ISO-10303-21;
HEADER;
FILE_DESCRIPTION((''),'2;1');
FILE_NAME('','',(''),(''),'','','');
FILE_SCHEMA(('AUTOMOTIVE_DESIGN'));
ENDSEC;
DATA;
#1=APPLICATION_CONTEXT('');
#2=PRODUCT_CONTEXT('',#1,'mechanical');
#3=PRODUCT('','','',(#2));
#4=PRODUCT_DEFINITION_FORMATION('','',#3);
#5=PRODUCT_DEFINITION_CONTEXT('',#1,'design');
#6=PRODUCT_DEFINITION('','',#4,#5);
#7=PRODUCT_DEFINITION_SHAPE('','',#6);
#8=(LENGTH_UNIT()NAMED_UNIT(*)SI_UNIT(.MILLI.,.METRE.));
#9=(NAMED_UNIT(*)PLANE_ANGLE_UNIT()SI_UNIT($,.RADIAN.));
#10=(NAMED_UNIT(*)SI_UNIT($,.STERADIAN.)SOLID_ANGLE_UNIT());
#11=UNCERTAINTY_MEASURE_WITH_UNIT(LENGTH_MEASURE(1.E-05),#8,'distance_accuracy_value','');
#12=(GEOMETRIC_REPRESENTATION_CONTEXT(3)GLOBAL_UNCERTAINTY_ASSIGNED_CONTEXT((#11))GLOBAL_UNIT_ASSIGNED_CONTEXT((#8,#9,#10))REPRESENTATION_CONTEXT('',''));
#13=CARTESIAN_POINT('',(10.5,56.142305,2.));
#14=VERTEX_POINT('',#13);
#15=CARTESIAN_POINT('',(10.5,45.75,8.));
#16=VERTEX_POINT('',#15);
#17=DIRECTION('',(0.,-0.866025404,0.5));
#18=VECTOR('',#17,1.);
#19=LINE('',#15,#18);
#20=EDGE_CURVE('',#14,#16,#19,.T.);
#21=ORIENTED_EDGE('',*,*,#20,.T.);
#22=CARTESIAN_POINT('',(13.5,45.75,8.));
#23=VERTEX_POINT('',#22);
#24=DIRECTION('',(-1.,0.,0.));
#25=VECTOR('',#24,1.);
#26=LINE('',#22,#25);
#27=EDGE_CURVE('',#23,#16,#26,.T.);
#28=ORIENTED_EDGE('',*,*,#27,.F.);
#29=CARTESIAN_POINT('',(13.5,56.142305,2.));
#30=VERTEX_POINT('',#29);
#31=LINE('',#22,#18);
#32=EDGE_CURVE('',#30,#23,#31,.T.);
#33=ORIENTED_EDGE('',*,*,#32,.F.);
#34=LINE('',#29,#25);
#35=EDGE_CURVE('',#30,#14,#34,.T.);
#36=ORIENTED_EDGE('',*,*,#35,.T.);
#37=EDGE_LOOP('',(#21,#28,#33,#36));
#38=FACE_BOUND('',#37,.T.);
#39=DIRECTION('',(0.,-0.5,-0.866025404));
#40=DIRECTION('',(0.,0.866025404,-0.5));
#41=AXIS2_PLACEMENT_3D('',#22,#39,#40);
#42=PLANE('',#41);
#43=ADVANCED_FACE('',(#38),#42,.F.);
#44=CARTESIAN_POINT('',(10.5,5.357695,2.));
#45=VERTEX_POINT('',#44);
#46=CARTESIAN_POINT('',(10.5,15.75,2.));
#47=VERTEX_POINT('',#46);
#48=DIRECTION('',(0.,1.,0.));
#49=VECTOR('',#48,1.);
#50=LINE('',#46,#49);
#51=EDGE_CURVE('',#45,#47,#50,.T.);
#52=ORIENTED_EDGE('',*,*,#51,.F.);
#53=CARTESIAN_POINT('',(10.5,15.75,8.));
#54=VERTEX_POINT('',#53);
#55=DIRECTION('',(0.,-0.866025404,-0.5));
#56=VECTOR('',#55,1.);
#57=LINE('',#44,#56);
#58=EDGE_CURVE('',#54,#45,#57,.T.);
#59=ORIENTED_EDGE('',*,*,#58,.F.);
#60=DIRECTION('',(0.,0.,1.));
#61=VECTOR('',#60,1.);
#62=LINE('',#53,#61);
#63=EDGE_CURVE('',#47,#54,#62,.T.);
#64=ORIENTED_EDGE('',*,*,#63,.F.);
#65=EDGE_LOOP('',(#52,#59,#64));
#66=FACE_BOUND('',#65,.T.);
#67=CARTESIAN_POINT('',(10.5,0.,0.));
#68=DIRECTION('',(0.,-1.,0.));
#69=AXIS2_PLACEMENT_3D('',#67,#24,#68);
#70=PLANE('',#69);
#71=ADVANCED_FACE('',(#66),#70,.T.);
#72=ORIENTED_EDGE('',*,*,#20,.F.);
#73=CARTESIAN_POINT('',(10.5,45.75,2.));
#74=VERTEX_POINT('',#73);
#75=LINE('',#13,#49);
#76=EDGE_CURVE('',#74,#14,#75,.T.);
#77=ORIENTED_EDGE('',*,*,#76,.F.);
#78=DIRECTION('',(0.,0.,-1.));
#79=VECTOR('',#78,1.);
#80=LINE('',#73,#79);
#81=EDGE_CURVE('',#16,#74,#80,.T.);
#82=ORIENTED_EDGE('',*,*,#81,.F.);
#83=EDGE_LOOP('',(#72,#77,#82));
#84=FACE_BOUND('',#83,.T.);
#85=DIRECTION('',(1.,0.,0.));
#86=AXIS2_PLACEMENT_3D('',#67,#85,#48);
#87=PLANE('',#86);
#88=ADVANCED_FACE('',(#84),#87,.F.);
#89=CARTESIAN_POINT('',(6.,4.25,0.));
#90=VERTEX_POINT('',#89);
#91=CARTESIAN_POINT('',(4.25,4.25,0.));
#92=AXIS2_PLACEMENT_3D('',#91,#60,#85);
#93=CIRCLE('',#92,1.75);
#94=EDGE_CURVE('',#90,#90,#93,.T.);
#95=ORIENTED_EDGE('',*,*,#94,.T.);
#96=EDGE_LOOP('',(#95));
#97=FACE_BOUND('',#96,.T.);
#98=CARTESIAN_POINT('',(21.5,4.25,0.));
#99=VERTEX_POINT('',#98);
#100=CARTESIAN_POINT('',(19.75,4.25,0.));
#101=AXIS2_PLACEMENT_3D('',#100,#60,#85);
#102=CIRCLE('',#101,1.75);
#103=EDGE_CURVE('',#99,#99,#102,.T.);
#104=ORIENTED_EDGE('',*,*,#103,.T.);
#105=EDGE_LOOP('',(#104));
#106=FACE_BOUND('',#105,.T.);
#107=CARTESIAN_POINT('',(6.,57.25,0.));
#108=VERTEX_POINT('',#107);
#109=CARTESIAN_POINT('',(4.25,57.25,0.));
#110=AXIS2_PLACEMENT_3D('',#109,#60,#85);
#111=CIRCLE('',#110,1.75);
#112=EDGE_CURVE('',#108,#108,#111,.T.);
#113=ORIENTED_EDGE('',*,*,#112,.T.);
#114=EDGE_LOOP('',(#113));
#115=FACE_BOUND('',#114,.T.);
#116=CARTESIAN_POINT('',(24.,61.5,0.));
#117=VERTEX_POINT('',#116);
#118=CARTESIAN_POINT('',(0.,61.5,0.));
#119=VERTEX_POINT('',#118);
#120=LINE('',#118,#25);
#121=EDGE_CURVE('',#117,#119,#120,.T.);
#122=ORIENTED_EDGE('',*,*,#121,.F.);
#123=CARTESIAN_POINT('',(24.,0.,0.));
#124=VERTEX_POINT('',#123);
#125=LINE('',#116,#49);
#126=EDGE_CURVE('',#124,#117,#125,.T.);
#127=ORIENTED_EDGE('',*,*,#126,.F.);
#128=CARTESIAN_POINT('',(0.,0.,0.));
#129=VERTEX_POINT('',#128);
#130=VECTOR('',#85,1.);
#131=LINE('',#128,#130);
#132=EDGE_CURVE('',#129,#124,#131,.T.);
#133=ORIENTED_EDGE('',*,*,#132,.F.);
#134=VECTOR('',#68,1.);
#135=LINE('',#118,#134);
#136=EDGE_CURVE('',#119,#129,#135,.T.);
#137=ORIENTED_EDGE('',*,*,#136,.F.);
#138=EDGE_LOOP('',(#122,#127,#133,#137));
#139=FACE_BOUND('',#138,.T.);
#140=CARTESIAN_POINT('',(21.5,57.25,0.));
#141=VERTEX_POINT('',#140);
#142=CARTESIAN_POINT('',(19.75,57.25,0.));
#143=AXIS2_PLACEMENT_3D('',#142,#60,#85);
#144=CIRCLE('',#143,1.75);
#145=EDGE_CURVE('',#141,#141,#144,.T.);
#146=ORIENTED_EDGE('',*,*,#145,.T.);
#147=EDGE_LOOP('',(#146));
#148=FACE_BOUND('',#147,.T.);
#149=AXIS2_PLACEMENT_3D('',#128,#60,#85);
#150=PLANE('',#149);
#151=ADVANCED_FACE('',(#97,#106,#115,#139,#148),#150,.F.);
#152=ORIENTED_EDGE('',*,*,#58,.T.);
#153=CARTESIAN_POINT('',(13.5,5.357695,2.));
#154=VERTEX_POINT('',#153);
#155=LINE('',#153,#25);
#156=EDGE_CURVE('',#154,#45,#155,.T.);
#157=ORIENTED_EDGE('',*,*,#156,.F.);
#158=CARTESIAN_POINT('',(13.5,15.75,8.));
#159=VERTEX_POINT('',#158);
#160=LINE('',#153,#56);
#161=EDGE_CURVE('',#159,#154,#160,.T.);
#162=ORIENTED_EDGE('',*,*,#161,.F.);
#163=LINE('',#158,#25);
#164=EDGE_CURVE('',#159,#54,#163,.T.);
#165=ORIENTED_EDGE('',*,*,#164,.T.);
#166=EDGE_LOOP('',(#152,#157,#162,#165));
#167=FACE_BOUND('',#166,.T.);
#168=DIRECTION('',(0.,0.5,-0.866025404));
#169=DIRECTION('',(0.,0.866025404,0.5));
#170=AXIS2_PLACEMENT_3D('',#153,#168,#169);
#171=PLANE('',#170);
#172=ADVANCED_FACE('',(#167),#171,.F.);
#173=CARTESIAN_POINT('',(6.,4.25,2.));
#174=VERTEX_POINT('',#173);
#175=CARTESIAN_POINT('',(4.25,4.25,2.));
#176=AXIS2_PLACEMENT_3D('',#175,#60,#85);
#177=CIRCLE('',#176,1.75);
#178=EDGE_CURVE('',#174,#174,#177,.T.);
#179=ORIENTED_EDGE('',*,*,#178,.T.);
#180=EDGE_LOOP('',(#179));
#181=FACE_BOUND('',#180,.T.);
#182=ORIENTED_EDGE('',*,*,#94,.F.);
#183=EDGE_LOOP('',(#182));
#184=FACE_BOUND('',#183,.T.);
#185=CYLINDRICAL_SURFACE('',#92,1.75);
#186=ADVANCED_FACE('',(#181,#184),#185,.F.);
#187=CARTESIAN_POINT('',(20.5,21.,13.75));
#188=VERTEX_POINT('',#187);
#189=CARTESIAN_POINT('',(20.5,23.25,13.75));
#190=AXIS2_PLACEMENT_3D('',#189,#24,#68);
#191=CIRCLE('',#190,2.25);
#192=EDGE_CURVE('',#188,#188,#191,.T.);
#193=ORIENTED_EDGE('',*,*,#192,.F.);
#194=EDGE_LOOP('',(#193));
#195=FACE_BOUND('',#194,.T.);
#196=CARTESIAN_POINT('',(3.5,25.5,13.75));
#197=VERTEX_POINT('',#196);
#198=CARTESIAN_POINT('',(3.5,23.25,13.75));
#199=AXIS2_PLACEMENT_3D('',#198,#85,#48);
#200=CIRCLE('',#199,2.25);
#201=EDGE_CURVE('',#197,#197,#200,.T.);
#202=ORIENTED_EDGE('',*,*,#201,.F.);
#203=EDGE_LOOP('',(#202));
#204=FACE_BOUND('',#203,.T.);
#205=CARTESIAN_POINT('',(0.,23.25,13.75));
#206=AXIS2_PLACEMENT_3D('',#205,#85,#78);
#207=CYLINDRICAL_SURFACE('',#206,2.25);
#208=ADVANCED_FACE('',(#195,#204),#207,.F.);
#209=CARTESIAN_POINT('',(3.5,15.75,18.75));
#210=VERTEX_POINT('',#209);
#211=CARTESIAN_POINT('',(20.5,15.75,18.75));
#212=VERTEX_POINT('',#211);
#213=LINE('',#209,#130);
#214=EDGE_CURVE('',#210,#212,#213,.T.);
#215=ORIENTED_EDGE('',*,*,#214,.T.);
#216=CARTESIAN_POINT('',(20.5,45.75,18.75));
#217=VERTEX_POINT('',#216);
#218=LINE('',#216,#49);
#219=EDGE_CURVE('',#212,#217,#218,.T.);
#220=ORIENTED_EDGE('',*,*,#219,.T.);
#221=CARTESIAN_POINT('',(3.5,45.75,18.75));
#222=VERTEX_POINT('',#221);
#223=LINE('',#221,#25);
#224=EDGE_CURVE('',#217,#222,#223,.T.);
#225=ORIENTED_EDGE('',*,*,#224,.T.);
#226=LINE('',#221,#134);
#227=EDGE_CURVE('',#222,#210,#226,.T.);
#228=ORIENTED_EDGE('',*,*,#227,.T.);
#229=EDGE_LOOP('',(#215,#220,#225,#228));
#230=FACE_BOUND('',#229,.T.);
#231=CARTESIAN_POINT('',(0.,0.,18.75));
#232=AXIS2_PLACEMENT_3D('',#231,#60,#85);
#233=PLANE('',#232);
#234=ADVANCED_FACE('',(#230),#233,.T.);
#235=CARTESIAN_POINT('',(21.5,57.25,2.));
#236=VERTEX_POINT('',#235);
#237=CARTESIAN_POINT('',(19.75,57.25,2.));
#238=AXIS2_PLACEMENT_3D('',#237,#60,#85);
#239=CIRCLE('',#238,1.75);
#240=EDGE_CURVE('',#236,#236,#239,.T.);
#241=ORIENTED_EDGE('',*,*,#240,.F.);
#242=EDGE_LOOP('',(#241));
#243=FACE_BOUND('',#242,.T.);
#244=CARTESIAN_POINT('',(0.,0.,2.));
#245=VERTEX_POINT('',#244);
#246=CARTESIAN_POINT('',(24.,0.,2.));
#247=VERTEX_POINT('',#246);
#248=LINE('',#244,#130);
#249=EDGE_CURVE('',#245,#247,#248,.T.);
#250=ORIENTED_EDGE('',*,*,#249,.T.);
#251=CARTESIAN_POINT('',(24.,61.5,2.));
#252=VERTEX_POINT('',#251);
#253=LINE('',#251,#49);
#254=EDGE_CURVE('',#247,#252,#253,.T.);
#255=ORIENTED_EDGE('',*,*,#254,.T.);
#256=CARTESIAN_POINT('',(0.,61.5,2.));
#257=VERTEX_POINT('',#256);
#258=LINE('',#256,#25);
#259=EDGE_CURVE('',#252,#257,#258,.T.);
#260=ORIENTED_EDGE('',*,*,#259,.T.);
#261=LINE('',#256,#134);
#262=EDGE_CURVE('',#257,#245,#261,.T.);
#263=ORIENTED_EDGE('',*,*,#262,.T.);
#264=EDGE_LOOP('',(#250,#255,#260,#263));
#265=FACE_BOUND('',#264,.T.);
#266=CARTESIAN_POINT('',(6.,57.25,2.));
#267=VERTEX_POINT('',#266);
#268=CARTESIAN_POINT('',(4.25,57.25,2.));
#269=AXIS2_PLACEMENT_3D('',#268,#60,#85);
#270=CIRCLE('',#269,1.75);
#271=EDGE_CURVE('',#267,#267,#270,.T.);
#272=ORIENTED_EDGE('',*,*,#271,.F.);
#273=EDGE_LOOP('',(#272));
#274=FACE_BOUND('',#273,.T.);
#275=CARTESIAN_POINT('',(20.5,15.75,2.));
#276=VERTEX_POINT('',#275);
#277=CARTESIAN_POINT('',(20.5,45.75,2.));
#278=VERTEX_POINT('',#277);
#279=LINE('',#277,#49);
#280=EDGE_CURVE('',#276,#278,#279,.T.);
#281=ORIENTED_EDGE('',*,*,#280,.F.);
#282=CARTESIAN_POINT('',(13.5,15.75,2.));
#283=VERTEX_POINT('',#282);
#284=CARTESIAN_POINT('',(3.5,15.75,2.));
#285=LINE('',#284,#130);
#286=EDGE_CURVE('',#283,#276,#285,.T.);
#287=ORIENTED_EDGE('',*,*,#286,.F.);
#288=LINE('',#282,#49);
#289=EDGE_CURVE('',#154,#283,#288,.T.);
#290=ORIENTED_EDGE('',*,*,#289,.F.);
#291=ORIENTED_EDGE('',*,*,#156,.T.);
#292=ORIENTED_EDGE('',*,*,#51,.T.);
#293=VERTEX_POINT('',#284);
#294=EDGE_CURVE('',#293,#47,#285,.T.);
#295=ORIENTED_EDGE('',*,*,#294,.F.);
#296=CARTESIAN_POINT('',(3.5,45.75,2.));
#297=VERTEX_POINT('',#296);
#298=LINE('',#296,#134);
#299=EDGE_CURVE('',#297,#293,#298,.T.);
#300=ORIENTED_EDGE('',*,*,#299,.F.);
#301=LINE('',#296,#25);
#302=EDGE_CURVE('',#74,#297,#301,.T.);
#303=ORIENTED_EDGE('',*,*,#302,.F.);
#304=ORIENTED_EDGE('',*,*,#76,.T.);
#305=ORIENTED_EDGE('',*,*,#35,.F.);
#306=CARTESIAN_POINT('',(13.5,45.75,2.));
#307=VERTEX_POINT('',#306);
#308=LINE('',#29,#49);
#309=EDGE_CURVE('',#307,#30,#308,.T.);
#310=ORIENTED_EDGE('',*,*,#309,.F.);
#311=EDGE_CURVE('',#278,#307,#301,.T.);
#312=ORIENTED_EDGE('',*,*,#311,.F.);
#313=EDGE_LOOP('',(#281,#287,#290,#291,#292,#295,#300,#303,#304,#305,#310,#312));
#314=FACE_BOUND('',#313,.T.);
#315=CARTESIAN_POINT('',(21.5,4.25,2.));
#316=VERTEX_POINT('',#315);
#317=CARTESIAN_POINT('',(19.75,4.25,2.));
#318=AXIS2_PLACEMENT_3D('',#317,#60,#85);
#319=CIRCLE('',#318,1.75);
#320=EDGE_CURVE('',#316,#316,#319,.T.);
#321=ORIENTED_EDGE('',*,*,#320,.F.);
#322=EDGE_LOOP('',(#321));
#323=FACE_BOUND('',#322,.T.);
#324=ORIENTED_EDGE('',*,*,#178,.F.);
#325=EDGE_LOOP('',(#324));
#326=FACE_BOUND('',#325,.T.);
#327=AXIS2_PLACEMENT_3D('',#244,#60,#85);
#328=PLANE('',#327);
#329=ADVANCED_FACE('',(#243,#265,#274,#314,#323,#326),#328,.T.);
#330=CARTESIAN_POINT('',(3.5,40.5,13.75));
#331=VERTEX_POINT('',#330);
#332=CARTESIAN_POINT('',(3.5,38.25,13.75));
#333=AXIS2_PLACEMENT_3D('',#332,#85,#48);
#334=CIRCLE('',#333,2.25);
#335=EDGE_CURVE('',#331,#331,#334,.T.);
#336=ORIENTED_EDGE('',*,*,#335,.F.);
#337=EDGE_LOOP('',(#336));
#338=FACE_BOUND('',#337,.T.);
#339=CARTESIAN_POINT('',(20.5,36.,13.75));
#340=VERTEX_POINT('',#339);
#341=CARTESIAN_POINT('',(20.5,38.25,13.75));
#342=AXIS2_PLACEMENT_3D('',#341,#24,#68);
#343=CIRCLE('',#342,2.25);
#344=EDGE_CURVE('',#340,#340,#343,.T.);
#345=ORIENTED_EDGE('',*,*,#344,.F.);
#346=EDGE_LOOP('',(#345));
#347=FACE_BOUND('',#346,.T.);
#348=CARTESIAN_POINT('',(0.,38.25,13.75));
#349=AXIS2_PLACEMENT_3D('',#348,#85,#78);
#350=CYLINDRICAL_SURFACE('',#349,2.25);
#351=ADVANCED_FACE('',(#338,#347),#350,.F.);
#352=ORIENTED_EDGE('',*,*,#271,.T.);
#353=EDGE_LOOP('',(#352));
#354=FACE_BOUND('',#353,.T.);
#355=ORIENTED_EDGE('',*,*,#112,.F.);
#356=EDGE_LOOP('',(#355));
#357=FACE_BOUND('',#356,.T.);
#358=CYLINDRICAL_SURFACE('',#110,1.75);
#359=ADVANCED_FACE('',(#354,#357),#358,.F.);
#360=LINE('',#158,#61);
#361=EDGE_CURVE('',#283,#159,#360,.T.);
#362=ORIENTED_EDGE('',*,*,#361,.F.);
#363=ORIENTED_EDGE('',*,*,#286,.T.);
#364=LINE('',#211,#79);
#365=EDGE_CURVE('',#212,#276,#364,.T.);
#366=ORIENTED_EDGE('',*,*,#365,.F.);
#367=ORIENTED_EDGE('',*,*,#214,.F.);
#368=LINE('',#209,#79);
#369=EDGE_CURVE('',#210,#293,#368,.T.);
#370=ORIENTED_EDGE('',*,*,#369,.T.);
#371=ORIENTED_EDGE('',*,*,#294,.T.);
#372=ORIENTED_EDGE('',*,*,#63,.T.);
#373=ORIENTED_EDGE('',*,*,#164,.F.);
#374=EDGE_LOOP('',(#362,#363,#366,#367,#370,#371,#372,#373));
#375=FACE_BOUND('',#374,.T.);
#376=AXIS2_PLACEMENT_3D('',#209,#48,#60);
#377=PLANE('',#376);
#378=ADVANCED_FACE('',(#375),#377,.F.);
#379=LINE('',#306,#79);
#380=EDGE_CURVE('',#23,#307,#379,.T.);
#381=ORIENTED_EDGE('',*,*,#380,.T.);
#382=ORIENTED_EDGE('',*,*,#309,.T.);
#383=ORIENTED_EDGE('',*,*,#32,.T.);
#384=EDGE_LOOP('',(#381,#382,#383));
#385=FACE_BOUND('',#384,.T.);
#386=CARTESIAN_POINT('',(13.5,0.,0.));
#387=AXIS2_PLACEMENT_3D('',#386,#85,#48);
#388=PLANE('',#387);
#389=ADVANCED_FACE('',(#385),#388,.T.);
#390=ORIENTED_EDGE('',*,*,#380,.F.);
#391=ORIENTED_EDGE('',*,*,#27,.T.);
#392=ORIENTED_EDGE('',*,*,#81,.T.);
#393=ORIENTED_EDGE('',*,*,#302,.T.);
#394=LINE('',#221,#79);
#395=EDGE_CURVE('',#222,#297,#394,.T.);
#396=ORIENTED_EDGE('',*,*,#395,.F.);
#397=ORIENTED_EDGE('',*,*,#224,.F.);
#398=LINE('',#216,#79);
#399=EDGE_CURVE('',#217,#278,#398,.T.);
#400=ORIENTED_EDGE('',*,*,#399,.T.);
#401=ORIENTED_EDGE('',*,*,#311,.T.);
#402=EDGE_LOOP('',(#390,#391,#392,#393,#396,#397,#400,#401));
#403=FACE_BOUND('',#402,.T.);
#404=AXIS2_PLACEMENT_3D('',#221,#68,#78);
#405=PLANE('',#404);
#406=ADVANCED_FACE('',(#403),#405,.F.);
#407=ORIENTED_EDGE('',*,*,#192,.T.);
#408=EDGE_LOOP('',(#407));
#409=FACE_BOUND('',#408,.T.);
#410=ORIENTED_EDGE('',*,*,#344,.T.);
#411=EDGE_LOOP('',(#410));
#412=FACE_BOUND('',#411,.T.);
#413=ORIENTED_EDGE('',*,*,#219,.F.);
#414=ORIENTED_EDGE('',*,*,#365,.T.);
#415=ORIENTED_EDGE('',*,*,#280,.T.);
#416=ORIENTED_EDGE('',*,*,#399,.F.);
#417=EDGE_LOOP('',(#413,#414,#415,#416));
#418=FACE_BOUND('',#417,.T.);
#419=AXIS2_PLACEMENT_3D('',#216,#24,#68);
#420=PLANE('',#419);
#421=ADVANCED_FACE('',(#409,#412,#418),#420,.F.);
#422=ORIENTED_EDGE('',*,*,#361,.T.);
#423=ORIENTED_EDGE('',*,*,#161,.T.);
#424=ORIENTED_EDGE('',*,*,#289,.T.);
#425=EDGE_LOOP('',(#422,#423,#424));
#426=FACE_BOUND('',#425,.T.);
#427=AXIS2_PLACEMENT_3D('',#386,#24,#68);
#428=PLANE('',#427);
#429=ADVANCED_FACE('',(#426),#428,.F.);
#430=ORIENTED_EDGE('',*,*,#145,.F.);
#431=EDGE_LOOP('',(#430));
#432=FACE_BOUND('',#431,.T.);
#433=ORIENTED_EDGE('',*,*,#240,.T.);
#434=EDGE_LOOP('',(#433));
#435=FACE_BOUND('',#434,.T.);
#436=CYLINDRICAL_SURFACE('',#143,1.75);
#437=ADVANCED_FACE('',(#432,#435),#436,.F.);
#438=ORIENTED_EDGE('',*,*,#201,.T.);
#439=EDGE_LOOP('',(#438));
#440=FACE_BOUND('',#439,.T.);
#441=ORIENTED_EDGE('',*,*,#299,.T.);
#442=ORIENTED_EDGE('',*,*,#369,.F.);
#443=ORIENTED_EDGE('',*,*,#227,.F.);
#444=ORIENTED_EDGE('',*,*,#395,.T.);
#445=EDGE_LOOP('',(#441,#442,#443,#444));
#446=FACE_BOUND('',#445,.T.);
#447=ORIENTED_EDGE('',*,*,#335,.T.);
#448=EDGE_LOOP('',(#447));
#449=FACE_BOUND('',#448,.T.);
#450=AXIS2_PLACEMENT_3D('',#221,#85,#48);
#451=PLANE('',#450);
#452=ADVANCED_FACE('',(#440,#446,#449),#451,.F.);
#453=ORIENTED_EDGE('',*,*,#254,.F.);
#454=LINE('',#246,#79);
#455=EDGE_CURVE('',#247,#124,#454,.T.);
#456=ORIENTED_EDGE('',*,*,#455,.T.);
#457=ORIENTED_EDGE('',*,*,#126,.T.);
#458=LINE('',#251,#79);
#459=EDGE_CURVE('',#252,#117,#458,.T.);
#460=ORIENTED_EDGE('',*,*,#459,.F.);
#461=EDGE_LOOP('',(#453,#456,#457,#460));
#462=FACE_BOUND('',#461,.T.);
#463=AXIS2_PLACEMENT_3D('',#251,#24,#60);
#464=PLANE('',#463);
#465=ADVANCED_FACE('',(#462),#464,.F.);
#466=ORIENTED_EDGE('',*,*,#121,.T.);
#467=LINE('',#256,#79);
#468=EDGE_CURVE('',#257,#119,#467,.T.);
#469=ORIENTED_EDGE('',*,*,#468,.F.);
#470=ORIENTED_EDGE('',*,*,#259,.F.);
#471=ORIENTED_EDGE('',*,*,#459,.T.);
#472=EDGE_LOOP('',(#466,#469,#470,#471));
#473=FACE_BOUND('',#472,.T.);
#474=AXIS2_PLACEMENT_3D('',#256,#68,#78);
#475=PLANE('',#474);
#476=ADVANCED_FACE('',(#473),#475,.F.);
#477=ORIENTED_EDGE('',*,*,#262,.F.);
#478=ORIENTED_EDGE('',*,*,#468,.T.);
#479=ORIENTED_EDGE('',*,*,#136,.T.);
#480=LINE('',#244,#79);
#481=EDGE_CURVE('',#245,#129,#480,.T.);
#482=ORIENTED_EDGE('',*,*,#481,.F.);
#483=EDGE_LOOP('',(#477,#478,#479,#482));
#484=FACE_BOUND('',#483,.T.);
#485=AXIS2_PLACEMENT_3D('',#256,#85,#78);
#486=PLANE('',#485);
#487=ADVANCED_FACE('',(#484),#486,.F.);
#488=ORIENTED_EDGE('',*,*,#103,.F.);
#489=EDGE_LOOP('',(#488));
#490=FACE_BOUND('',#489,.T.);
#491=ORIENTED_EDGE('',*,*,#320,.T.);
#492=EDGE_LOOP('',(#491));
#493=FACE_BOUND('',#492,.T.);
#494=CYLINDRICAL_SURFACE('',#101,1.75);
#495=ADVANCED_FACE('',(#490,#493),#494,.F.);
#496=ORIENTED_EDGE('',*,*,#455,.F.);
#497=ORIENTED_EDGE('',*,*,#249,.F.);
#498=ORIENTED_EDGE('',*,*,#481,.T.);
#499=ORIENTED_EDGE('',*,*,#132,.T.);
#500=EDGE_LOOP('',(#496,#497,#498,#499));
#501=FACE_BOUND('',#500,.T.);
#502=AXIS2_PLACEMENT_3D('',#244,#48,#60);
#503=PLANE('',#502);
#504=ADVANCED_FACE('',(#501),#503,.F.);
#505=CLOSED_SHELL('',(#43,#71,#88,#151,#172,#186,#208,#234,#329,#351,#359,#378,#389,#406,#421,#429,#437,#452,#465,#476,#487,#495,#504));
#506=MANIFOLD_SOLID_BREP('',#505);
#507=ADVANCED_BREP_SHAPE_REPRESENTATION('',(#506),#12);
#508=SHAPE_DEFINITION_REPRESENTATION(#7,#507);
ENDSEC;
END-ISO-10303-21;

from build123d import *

# Parameters (mm, degrees)
SKETCH_2_W          = 24
SKETCH_2_H          = 61.5
SKETCH_2_R          = 1.75
EXTRUDE_1_DEPTH     = 2
SKETCH_3_W          = 17
SKETCH_3_H          = 30
EXTRUDE_2_DEPTH     = 16.75
SKETCH_4_R          = 2.25
CUT_EXTRUDE_1_DEPTH = 69.628073702
EXTRUDE_3_DEPTH     = 1.5
EXTRUDE_START       = -2
SKETCH_6_R          = 1.75
EXTRUDE_4_DEPTH     = 2
SKETCH_7_R          = 1.75
CUT_EXTRUDE_2_DEPTH = 69.108828356


with BuildPart() as part:
    # 草图2 → 凸台-拉伸1 (new body)
    with BuildSketch(Plane.XY):
        with Locations((12, 30.75)):
            Rectangle(SKETCH_2_W, SKETCH_2_H)
        with Locations((5, 56.5)):
            Circle(SKETCH_2_R, mode=Mode.SUBTRACT)
        with Locations((19, 56.5)):
            Circle(SKETCH_2_R, mode=Mode.SUBTRACT)
        with Locations((5, 5)):
            Circle(SKETCH_2_R, mode=Mode.SUBTRACT)
        with Locations((19, 5)):
            Circle(SKETCH_2_R, mode=Mode.SUBTRACT)
    extrude(amount=EXTRUDE_1_DEPTH)

    # 草图3 → 凸台-拉伸2 (add)
    with BuildSketch(Plane.XY.offset(2)):
        with Locations((12, 30.75)):
            Rectangle(SKETCH_3_W, SKETCH_3_H)
    extrude(amount=EXTRUDE_2_DEPTH)

    # 草图4 → 切除-拉伸1 (cut, through all)
    with BuildSketch(Plane(origin=(24, 0, 0), x_dir=(0, 0, -1), z_dir=(1, 0, 0))):
        with Locations(Location((-13.75, 23.25, 0), (0, 0, 270))):
            Circle(SKETCH_4_R)
        with Locations(Location((-13.75, 38.25, 0), (0, 0, 270))):
            Circle(SKETCH_4_R)
    extrude(amount=-CUT_EXTRUDE_1_DEPTH, mode=Mode.SUBTRACT)

    # 草图5 → 凸台-拉伸3 (add, symmetric)
    with BuildSketch(Plane(origin=(12, 0, 0), x_dir=(0, 0, -1), z_dir=(1, 0, 0))):
        Polygon((-2, 56.142304845), (-2, 45.75), (-8, 45.75), align=None)
        Polygon((-2, 15.75), (-2, 5.357695155), (-8, 15.75), align=None)
    extrude(amount=EXTRUDE_3_DEPTH, both=True)

    # 草图6 → 凸台-拉伸4 (add)
    with BuildSketch(Plane.XY.offset(2).offset(EXTRUDE_START)):
        with Locations((5, 56.5)):
            Circle(SKETCH_6_R)
        with Locations((19, 56.5)):
            Circle(SKETCH_6_R)
        with Locations((19, 5)):
            Circle(SKETCH_6_R)
        with Locations((5, 5)):
            Circle(SKETCH_6_R)
    extrude(amount=EXTRUDE_4_DEPTH)

    # 草图7 → 切除-拉伸2 (cut, through all)
    with BuildSketch(Plane.XY.offset(2)):
        with Locations((4.25, 57.25)):
            Circle(SKETCH_7_R)
        with Locations((19.75, 57.25)):
            Circle(SKETCH_7_R)
        with Locations((4.25, 4.25)):
            Circle(SKETCH_7_R)
        with Locations((19.75, 4.25)):
            Circle(SKETCH_7_R)
    extrude(amount=-CUT_EXTRUDE_2_DEPTH, mode=Mode.SUBTRACT)


solid = part.part
